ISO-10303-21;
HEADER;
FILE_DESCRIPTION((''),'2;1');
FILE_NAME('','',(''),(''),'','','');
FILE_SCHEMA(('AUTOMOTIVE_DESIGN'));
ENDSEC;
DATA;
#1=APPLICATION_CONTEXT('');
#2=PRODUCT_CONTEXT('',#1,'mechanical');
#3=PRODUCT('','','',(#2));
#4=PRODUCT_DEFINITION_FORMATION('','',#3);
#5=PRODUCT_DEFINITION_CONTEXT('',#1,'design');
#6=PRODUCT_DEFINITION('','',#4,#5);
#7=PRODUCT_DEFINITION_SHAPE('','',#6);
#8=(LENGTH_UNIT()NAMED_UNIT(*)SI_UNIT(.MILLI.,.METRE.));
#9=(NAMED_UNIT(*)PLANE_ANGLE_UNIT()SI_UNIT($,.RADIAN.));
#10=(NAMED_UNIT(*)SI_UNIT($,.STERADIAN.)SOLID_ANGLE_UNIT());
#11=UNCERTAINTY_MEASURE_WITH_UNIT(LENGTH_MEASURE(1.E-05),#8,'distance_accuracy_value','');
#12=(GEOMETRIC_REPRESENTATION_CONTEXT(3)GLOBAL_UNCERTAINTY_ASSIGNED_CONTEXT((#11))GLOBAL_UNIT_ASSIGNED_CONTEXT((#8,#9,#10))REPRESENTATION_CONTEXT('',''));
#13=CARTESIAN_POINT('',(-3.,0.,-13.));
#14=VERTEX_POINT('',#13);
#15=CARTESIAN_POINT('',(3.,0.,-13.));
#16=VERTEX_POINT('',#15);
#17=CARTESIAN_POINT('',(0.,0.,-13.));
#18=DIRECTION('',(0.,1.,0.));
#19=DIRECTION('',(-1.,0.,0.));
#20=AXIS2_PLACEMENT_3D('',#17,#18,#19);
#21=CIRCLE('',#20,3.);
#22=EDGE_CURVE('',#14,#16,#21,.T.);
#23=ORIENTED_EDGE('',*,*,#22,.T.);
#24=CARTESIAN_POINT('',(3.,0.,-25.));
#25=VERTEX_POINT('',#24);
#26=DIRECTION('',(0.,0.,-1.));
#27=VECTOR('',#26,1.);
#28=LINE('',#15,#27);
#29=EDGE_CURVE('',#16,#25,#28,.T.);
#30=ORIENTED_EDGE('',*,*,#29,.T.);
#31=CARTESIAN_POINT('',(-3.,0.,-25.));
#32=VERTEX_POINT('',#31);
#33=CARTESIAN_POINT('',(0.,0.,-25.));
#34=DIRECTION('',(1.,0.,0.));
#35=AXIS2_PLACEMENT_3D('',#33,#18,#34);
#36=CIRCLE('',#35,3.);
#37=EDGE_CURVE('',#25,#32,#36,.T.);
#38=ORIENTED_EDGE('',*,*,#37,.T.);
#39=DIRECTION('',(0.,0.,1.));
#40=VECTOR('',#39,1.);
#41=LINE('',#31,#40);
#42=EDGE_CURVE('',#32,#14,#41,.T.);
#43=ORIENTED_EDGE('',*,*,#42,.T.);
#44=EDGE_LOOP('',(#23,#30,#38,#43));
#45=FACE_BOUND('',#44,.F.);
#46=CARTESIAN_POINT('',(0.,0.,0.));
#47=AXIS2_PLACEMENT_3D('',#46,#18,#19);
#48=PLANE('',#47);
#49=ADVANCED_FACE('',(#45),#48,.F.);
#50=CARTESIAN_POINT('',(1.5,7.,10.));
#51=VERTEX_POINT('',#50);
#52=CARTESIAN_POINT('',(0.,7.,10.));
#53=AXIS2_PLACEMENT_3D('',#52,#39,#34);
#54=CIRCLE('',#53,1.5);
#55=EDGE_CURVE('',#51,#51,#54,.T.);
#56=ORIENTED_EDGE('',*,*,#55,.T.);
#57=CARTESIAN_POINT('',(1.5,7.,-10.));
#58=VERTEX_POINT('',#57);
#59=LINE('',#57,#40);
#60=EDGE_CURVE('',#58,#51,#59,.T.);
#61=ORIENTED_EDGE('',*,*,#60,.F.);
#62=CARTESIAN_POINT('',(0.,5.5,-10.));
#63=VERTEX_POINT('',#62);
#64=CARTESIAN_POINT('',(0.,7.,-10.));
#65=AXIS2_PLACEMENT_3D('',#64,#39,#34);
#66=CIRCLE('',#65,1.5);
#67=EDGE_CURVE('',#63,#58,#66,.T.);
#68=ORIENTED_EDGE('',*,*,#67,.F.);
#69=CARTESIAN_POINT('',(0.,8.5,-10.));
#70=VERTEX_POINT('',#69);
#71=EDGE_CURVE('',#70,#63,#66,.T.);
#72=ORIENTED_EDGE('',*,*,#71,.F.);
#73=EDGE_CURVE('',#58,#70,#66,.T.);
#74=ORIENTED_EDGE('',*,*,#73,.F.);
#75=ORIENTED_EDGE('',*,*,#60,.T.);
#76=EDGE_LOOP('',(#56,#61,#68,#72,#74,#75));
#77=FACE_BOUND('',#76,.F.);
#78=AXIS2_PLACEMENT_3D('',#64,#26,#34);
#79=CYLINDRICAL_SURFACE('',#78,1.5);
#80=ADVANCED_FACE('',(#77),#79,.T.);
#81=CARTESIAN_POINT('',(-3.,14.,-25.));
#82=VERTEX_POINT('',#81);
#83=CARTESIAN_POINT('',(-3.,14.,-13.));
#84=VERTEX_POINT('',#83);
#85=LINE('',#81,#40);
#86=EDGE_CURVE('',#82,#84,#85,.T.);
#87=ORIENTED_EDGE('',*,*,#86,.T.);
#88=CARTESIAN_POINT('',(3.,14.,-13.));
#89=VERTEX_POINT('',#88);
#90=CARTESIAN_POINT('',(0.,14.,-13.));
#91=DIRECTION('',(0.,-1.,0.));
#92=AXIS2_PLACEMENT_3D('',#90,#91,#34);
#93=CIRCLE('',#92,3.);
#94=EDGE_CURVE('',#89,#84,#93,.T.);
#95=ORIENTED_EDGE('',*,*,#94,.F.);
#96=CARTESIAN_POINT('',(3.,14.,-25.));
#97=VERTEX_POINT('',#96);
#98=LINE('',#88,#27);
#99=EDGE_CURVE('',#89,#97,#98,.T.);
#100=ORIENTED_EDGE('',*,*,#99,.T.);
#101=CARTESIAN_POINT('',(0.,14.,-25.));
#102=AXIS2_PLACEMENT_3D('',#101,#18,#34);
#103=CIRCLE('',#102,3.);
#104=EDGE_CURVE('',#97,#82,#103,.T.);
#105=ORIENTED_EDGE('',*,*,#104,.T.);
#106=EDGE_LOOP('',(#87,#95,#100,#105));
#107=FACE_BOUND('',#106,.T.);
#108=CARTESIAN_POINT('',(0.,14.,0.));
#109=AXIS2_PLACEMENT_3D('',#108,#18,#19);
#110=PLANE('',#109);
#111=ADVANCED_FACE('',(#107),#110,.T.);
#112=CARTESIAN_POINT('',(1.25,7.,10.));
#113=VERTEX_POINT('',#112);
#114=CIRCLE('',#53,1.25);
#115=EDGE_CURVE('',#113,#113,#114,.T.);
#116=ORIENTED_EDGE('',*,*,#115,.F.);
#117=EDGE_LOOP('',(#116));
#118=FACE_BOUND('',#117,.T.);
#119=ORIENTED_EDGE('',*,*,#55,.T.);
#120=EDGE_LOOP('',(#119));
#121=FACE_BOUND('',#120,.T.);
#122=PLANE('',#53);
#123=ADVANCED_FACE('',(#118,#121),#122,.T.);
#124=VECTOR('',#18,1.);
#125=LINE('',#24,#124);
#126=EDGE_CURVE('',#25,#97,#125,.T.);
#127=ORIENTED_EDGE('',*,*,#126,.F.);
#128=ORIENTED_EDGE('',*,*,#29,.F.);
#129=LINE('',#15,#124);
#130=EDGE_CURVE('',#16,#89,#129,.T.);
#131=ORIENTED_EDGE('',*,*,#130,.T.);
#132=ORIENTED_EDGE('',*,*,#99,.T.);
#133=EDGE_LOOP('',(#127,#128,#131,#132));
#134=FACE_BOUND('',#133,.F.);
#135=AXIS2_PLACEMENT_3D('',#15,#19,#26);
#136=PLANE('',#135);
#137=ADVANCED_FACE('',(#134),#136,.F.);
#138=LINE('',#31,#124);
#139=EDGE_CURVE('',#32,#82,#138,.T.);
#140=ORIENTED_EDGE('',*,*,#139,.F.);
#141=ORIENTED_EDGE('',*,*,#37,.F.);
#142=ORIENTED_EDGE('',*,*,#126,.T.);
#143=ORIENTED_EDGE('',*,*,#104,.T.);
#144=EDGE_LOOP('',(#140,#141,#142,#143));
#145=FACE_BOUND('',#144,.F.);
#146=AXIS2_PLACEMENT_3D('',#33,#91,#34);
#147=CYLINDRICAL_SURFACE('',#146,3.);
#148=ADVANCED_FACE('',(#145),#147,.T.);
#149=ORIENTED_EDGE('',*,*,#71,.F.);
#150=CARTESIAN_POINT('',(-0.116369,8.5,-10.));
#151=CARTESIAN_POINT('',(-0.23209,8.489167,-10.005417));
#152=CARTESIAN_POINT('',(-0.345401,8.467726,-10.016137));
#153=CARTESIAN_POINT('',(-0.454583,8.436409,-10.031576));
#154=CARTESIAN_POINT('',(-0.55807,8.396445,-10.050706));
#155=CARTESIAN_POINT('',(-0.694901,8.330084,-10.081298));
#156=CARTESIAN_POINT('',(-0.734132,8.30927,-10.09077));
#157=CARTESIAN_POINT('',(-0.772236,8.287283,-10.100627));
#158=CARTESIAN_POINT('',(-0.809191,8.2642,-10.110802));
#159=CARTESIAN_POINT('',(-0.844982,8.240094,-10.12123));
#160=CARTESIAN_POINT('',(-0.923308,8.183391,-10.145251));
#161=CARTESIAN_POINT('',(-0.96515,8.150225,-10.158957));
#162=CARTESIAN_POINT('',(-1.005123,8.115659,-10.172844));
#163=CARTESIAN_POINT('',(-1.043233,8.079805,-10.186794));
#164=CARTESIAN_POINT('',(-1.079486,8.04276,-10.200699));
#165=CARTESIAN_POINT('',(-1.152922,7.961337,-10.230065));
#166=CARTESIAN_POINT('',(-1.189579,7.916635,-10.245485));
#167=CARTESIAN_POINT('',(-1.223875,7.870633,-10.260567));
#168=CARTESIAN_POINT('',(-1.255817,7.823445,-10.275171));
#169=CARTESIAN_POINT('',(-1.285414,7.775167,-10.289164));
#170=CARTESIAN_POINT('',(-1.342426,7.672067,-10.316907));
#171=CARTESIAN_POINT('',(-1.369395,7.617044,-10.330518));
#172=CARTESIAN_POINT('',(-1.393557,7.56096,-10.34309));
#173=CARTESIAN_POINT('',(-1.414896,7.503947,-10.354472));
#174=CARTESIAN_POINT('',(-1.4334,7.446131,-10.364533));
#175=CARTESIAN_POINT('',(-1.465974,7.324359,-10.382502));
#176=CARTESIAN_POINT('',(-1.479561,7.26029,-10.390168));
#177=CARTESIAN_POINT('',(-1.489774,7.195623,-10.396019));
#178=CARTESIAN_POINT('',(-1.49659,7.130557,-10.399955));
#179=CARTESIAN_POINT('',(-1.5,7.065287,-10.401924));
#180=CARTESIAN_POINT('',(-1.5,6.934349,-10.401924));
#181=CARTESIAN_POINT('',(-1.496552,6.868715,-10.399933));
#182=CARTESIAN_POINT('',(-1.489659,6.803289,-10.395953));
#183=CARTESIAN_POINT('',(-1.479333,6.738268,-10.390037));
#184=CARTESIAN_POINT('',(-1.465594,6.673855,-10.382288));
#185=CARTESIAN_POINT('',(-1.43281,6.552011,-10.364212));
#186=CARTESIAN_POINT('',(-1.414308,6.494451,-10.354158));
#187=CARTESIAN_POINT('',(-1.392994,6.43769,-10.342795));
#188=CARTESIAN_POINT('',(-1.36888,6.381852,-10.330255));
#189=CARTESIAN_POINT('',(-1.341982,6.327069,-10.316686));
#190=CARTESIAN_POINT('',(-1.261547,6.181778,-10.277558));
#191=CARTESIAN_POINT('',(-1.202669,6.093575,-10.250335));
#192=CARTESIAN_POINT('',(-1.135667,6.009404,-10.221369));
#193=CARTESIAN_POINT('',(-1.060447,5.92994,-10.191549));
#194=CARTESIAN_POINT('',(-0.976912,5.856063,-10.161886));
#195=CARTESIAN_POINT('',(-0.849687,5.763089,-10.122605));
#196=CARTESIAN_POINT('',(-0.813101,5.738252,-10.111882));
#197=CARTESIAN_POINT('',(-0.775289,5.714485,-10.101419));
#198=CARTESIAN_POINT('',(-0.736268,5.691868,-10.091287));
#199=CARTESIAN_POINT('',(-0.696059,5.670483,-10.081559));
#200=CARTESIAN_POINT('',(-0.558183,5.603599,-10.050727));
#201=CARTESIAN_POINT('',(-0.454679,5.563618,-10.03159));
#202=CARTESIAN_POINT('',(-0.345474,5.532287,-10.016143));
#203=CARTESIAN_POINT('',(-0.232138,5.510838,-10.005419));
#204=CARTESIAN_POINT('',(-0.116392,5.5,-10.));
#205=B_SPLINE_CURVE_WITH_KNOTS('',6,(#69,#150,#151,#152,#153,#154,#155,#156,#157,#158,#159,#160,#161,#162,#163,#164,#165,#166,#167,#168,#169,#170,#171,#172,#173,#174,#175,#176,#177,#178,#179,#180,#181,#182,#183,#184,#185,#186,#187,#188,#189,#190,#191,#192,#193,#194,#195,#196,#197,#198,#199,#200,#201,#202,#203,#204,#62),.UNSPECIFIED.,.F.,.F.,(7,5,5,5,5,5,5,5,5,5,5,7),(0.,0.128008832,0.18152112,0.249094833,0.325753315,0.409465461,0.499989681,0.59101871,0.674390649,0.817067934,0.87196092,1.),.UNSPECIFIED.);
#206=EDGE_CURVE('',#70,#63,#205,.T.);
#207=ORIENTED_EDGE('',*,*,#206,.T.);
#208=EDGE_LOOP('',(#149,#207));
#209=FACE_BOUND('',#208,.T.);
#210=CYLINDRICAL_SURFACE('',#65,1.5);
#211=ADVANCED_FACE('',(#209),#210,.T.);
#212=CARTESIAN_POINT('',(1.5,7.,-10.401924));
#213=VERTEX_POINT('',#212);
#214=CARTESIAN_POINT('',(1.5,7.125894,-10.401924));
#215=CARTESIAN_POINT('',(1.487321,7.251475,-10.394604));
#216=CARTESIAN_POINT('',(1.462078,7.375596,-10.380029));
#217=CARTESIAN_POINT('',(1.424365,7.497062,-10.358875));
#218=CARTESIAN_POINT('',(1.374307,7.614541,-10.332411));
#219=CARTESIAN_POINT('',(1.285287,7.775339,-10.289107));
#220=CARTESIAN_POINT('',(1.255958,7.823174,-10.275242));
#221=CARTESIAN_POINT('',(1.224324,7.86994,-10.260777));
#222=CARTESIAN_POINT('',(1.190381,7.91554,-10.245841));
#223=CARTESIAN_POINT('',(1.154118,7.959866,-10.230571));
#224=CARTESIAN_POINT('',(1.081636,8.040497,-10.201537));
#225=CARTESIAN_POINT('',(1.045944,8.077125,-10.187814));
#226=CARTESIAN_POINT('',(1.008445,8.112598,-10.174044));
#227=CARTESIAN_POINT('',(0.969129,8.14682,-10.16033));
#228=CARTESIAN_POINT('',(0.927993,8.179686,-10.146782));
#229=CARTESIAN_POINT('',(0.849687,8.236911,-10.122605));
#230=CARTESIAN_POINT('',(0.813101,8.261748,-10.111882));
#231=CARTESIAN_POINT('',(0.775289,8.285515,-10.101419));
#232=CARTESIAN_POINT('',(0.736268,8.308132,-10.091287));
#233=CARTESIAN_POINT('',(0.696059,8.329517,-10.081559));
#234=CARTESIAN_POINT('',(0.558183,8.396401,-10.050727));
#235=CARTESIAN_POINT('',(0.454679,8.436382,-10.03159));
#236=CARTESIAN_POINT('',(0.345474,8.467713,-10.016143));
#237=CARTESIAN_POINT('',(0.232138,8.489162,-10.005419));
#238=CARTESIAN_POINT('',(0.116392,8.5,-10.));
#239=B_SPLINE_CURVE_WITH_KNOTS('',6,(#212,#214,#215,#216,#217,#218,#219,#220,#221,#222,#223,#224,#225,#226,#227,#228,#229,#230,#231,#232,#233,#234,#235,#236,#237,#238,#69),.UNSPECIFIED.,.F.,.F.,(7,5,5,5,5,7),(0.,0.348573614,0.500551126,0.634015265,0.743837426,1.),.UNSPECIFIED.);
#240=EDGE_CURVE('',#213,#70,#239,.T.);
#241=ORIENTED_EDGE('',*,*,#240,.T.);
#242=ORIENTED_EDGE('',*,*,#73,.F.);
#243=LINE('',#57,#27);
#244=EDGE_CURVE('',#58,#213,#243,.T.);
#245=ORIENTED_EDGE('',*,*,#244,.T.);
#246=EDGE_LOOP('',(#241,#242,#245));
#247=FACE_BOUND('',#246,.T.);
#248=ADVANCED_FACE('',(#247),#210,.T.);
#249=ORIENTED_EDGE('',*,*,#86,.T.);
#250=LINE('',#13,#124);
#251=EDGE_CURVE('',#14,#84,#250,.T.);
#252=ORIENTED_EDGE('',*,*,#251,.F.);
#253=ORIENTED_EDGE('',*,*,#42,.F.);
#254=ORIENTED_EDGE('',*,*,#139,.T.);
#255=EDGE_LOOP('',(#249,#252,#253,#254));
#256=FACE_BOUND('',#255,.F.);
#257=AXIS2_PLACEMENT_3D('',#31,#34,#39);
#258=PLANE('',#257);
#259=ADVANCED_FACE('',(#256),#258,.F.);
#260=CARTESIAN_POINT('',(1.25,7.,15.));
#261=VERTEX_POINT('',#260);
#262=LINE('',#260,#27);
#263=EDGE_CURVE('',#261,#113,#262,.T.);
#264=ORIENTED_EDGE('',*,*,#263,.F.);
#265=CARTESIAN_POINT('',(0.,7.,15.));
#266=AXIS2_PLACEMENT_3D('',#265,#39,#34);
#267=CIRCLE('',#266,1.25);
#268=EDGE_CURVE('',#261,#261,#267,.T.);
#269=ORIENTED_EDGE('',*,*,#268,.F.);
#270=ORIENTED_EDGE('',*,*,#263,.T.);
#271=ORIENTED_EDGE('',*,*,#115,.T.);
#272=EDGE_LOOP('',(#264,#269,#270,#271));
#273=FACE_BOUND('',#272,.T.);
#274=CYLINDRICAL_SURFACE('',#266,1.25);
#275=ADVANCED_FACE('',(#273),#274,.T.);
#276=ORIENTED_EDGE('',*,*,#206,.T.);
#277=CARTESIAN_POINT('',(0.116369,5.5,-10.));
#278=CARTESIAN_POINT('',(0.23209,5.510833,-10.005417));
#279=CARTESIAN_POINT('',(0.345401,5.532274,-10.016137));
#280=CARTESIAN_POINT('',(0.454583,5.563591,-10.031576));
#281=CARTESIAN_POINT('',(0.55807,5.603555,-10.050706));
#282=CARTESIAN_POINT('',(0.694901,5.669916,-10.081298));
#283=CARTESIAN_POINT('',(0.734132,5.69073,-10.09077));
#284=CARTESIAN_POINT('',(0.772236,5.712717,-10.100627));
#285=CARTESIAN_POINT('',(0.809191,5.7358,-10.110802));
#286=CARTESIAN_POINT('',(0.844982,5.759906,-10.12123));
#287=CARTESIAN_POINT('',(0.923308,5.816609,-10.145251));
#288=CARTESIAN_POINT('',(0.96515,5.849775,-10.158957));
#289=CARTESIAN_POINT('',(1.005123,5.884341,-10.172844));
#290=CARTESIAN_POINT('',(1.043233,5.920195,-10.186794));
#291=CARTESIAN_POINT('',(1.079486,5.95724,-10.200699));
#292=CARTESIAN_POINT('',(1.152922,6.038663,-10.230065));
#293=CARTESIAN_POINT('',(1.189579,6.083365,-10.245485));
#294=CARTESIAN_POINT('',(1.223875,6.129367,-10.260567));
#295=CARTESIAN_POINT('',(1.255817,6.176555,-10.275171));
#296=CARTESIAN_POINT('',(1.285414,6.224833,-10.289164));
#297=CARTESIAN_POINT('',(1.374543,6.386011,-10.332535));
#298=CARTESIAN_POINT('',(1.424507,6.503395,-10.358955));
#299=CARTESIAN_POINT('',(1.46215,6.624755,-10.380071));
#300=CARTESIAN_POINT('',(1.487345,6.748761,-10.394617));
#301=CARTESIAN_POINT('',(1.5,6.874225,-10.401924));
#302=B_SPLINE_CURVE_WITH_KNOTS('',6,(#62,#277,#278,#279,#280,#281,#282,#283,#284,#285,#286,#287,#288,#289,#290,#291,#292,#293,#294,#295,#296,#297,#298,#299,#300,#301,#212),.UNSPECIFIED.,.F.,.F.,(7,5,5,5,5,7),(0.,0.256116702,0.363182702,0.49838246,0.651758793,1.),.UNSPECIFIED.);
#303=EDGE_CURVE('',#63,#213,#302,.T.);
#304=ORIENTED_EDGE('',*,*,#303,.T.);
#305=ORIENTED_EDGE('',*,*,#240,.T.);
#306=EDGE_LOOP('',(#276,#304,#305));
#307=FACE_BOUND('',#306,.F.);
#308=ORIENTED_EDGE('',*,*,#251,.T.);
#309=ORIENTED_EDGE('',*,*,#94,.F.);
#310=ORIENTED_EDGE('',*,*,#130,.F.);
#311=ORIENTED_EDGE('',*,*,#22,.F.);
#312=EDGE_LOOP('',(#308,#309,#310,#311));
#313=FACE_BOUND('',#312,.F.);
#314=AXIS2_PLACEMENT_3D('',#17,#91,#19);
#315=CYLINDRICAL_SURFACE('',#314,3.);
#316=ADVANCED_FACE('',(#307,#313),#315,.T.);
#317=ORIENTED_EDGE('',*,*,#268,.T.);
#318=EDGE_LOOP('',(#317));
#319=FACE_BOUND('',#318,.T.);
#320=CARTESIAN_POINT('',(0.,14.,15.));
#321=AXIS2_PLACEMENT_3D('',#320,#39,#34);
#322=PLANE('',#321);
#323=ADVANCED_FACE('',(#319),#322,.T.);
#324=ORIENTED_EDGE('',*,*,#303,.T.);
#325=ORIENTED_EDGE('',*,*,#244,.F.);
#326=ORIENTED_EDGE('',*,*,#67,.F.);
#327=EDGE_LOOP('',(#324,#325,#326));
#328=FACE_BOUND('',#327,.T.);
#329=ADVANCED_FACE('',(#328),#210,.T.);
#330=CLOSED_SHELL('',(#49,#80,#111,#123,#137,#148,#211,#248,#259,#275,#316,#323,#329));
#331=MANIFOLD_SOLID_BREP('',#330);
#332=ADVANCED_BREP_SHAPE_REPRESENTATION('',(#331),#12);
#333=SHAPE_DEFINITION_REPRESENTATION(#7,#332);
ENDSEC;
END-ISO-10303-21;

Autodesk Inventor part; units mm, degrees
ref_plane "YZ Plane" through (0, 0, 0) normal (1, 0, 0) x (0, 1, 0)
ref_plane "XZ Plane" through (0, 0, 0) normal (0, 1, 0) x (-1, 0, 0)
sketch "Sketch1" plane through (0, 0, 0) normal (0, 1, 0) x (-1, 0, 0)
  line L0 (0, 25) -> (0, 13) construction
  line L1 (3, 25) -> (3, 13)
  line L2 (-3, 13) -> (-3, 25)
  arc A0 (3, 25) -> (-3, 25) centre (0, 25) ccw
  arc A1 (-3, 13) -> (3, 13) centre (0, 13) ccw
  line L3 (0, 30.2784) -> (0, -34.8413) construction
  line L4 (24.1166, 0) -> (-17.2731, 0) construction
  line L5 (0, 10) -> (0, -10)
  line L6 (3, -25) -> (3, -13)
  line L7 (-3, -13) -> (-3, -25)
  arc A2 (-3, -25) -> (3, -25) centre (0, -25) ccw
  arc A3 (3, -13) -> (-3, -13) centre (0, -13) ccw
  point P0 (0, 0)
  point P1 (0, 19)
  dimension "d0" = 12
  dimension "d1" = 3
  dimension "d2" = 20
extrude "Extrusion1" add sketch "Sketch1" along normal blind 14 contours A3 L6 A2 L7
ref_plane "Work Plane1" through (0, 14, -10) normal (0, 0, 1) x (1, 0, 0)
sketch "Sketch2" plane through (0, 14, -10) normal (0, 0, 1) x (1, 0, 0)
  circle A0 centre (0, -7) radius 1.5
  line L0 (3, 0) -> (-3, 0) projected
  line L1 (3, -14) -> (-3, -14) projected
  line L2 (3, -14) -> (3, 0) projected
  line L3 (-3, -14) -> (-3, 0) projected
  point P0 (0, -14)
  dimension "d5" = 3
  dimension "d6" = 7
  dimension "d7" = 3
extrude "Extrusion2" add sketch "Sketch2" along normal blind 25 and the other way blind 2 contours A0
sketch "Sketch3" plane through (0, 7, 15) normal (0, 0, 1) x (1, 0, 0)
  circle A0 centre (0, 0) radius 1.5
  circle A1 centre (0, 0) radius 1.5 projected
  circle A2 centre (0, 0) radius 1.25
  point P0 (0, -7)
  dimension "d12" = 2.5
extrude "Extrusion3" cut sketch "Sketch3" against normal blind 5
properties part number "paletas"
